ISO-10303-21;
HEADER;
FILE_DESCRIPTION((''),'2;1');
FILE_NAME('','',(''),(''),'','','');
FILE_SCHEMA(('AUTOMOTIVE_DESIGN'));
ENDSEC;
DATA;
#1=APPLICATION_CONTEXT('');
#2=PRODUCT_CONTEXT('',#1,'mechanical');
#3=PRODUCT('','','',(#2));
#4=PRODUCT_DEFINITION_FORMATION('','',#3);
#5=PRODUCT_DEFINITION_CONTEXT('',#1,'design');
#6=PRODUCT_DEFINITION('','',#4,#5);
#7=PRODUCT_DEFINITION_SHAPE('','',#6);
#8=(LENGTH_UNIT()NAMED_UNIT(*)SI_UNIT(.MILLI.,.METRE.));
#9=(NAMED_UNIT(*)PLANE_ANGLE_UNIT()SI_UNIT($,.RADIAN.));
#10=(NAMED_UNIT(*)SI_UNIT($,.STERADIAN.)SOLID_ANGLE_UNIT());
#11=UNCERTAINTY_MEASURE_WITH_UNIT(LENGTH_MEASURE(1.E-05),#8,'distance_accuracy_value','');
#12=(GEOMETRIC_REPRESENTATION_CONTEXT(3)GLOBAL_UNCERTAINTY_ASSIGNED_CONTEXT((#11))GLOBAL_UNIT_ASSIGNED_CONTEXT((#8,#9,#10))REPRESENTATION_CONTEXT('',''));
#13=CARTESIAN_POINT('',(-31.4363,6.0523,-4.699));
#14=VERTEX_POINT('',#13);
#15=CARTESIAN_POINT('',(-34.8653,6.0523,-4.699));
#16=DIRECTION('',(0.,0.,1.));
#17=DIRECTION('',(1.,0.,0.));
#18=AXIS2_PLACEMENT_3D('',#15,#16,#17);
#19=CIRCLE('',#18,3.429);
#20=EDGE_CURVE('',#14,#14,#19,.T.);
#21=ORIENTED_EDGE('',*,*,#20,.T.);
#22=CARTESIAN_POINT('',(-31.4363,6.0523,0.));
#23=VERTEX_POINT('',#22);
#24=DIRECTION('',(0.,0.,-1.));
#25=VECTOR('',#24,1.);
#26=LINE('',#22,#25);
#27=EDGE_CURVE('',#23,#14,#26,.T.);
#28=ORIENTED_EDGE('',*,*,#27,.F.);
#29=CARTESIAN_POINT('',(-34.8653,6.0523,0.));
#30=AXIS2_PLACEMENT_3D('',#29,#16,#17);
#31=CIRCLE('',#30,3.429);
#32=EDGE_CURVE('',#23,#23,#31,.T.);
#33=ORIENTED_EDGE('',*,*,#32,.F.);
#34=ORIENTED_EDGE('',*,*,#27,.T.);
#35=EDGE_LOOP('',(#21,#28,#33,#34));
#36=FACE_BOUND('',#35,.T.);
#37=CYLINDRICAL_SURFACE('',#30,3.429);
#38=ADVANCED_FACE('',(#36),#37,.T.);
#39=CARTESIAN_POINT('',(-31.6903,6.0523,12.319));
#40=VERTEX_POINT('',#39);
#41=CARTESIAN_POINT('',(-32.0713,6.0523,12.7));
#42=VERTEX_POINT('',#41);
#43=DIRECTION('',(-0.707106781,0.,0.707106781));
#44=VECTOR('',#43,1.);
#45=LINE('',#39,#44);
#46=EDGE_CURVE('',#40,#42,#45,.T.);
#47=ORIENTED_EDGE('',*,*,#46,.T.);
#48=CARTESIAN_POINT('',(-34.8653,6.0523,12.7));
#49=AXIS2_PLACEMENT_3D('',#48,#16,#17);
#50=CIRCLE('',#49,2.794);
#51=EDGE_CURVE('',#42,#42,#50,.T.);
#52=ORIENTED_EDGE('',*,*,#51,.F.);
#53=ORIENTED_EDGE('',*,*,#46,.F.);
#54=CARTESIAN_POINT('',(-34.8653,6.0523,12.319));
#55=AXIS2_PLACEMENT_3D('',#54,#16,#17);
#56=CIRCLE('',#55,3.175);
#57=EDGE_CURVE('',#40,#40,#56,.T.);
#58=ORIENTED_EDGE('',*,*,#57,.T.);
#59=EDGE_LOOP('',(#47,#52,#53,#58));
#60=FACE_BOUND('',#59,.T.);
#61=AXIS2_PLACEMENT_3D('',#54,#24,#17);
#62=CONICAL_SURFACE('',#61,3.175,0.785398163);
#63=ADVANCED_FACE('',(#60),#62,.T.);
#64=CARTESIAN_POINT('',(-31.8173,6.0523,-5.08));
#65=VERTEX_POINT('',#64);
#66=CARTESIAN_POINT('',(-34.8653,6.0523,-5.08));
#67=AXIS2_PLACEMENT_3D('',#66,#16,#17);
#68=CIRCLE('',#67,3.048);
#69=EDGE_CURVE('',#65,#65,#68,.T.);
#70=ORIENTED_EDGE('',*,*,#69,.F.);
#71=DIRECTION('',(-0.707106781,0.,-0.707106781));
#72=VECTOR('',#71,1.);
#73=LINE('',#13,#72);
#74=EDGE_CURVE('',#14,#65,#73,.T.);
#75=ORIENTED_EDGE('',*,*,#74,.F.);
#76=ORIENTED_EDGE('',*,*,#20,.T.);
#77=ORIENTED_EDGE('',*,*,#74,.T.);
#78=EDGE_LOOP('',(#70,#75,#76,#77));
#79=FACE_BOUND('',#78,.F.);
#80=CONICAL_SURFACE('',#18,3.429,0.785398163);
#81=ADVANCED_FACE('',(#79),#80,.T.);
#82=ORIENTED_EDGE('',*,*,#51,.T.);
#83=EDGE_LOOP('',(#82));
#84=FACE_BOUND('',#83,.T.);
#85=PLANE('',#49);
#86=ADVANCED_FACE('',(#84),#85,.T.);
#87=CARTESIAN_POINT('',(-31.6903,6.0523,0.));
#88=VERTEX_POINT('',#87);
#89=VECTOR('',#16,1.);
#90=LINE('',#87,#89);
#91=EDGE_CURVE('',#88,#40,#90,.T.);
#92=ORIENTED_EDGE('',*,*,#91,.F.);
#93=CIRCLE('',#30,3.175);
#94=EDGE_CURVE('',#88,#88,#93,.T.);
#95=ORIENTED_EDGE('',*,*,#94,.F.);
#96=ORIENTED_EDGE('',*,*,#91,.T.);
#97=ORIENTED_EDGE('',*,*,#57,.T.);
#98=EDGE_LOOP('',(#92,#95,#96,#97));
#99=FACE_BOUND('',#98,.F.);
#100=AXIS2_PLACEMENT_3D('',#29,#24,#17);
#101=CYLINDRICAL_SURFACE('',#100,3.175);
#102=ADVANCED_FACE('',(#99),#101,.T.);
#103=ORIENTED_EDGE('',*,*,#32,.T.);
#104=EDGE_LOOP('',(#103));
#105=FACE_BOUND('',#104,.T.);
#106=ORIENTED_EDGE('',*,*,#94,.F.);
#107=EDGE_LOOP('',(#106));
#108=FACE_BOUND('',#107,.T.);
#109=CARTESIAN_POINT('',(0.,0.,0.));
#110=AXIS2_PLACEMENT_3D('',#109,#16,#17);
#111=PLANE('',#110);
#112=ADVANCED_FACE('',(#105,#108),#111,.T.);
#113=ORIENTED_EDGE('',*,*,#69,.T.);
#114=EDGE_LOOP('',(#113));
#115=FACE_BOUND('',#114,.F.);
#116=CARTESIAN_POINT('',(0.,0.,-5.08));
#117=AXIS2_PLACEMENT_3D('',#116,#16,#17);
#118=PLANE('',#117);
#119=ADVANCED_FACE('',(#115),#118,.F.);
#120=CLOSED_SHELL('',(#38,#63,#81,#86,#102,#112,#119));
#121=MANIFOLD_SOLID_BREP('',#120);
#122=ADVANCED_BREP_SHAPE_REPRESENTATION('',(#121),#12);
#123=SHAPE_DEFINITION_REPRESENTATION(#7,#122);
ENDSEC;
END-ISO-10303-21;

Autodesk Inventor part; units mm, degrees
ref_plane "YZ Plane" through (0, 0, 0) normal (1, 0, 0) x (0, 1, 0)
ref_plane "XZ Plane" through (0, 0, 0) normal (0, 1, 0) x (-1, 0, 0)
ref_plane "XY Plane" through (0, 0, 0) normal (0, 0, 1) x (1, 0, 0)
sketch "Sketch1" plane through (0, 0, 0) normal (0, 0, 1) x (1, 0, 0)
  circle A0 centre (-34.8653, 6.0523) radius 3.429
  circle A1 centre (-34.8653, 6.0523) radius 3.429
  dimension "d0" = 6.858
extrude "Extrusion1" add sketch "Sketch1" against normal blind 5.08
chamfer "Chamfer1" distance 0.381 angle 45 1 edges at (-38.2943, 6.0523, -5.08)
sketch "Sketch2" plane through (-34.8653, 6.0523, 0) normal (0, 0, 1) x (1, 0, 0)
  circle A0 centre (0, 0) radius 3.429
  circle A1 centre (0, 0) radius 3.175
  dimension "d5" = 6.35
extrude "Extrusion2" add sketch "Sketch2" along normal blind 12.7 contours A1
chamfer "Chamfer2" distance 0.381 angle 45 1 edges at (-38.0403, 6.0523, 12.7)
thread "Thread1"
properties part number "BUSS-STUD-250X50" material "Steel, High Strength Low Alloy"
